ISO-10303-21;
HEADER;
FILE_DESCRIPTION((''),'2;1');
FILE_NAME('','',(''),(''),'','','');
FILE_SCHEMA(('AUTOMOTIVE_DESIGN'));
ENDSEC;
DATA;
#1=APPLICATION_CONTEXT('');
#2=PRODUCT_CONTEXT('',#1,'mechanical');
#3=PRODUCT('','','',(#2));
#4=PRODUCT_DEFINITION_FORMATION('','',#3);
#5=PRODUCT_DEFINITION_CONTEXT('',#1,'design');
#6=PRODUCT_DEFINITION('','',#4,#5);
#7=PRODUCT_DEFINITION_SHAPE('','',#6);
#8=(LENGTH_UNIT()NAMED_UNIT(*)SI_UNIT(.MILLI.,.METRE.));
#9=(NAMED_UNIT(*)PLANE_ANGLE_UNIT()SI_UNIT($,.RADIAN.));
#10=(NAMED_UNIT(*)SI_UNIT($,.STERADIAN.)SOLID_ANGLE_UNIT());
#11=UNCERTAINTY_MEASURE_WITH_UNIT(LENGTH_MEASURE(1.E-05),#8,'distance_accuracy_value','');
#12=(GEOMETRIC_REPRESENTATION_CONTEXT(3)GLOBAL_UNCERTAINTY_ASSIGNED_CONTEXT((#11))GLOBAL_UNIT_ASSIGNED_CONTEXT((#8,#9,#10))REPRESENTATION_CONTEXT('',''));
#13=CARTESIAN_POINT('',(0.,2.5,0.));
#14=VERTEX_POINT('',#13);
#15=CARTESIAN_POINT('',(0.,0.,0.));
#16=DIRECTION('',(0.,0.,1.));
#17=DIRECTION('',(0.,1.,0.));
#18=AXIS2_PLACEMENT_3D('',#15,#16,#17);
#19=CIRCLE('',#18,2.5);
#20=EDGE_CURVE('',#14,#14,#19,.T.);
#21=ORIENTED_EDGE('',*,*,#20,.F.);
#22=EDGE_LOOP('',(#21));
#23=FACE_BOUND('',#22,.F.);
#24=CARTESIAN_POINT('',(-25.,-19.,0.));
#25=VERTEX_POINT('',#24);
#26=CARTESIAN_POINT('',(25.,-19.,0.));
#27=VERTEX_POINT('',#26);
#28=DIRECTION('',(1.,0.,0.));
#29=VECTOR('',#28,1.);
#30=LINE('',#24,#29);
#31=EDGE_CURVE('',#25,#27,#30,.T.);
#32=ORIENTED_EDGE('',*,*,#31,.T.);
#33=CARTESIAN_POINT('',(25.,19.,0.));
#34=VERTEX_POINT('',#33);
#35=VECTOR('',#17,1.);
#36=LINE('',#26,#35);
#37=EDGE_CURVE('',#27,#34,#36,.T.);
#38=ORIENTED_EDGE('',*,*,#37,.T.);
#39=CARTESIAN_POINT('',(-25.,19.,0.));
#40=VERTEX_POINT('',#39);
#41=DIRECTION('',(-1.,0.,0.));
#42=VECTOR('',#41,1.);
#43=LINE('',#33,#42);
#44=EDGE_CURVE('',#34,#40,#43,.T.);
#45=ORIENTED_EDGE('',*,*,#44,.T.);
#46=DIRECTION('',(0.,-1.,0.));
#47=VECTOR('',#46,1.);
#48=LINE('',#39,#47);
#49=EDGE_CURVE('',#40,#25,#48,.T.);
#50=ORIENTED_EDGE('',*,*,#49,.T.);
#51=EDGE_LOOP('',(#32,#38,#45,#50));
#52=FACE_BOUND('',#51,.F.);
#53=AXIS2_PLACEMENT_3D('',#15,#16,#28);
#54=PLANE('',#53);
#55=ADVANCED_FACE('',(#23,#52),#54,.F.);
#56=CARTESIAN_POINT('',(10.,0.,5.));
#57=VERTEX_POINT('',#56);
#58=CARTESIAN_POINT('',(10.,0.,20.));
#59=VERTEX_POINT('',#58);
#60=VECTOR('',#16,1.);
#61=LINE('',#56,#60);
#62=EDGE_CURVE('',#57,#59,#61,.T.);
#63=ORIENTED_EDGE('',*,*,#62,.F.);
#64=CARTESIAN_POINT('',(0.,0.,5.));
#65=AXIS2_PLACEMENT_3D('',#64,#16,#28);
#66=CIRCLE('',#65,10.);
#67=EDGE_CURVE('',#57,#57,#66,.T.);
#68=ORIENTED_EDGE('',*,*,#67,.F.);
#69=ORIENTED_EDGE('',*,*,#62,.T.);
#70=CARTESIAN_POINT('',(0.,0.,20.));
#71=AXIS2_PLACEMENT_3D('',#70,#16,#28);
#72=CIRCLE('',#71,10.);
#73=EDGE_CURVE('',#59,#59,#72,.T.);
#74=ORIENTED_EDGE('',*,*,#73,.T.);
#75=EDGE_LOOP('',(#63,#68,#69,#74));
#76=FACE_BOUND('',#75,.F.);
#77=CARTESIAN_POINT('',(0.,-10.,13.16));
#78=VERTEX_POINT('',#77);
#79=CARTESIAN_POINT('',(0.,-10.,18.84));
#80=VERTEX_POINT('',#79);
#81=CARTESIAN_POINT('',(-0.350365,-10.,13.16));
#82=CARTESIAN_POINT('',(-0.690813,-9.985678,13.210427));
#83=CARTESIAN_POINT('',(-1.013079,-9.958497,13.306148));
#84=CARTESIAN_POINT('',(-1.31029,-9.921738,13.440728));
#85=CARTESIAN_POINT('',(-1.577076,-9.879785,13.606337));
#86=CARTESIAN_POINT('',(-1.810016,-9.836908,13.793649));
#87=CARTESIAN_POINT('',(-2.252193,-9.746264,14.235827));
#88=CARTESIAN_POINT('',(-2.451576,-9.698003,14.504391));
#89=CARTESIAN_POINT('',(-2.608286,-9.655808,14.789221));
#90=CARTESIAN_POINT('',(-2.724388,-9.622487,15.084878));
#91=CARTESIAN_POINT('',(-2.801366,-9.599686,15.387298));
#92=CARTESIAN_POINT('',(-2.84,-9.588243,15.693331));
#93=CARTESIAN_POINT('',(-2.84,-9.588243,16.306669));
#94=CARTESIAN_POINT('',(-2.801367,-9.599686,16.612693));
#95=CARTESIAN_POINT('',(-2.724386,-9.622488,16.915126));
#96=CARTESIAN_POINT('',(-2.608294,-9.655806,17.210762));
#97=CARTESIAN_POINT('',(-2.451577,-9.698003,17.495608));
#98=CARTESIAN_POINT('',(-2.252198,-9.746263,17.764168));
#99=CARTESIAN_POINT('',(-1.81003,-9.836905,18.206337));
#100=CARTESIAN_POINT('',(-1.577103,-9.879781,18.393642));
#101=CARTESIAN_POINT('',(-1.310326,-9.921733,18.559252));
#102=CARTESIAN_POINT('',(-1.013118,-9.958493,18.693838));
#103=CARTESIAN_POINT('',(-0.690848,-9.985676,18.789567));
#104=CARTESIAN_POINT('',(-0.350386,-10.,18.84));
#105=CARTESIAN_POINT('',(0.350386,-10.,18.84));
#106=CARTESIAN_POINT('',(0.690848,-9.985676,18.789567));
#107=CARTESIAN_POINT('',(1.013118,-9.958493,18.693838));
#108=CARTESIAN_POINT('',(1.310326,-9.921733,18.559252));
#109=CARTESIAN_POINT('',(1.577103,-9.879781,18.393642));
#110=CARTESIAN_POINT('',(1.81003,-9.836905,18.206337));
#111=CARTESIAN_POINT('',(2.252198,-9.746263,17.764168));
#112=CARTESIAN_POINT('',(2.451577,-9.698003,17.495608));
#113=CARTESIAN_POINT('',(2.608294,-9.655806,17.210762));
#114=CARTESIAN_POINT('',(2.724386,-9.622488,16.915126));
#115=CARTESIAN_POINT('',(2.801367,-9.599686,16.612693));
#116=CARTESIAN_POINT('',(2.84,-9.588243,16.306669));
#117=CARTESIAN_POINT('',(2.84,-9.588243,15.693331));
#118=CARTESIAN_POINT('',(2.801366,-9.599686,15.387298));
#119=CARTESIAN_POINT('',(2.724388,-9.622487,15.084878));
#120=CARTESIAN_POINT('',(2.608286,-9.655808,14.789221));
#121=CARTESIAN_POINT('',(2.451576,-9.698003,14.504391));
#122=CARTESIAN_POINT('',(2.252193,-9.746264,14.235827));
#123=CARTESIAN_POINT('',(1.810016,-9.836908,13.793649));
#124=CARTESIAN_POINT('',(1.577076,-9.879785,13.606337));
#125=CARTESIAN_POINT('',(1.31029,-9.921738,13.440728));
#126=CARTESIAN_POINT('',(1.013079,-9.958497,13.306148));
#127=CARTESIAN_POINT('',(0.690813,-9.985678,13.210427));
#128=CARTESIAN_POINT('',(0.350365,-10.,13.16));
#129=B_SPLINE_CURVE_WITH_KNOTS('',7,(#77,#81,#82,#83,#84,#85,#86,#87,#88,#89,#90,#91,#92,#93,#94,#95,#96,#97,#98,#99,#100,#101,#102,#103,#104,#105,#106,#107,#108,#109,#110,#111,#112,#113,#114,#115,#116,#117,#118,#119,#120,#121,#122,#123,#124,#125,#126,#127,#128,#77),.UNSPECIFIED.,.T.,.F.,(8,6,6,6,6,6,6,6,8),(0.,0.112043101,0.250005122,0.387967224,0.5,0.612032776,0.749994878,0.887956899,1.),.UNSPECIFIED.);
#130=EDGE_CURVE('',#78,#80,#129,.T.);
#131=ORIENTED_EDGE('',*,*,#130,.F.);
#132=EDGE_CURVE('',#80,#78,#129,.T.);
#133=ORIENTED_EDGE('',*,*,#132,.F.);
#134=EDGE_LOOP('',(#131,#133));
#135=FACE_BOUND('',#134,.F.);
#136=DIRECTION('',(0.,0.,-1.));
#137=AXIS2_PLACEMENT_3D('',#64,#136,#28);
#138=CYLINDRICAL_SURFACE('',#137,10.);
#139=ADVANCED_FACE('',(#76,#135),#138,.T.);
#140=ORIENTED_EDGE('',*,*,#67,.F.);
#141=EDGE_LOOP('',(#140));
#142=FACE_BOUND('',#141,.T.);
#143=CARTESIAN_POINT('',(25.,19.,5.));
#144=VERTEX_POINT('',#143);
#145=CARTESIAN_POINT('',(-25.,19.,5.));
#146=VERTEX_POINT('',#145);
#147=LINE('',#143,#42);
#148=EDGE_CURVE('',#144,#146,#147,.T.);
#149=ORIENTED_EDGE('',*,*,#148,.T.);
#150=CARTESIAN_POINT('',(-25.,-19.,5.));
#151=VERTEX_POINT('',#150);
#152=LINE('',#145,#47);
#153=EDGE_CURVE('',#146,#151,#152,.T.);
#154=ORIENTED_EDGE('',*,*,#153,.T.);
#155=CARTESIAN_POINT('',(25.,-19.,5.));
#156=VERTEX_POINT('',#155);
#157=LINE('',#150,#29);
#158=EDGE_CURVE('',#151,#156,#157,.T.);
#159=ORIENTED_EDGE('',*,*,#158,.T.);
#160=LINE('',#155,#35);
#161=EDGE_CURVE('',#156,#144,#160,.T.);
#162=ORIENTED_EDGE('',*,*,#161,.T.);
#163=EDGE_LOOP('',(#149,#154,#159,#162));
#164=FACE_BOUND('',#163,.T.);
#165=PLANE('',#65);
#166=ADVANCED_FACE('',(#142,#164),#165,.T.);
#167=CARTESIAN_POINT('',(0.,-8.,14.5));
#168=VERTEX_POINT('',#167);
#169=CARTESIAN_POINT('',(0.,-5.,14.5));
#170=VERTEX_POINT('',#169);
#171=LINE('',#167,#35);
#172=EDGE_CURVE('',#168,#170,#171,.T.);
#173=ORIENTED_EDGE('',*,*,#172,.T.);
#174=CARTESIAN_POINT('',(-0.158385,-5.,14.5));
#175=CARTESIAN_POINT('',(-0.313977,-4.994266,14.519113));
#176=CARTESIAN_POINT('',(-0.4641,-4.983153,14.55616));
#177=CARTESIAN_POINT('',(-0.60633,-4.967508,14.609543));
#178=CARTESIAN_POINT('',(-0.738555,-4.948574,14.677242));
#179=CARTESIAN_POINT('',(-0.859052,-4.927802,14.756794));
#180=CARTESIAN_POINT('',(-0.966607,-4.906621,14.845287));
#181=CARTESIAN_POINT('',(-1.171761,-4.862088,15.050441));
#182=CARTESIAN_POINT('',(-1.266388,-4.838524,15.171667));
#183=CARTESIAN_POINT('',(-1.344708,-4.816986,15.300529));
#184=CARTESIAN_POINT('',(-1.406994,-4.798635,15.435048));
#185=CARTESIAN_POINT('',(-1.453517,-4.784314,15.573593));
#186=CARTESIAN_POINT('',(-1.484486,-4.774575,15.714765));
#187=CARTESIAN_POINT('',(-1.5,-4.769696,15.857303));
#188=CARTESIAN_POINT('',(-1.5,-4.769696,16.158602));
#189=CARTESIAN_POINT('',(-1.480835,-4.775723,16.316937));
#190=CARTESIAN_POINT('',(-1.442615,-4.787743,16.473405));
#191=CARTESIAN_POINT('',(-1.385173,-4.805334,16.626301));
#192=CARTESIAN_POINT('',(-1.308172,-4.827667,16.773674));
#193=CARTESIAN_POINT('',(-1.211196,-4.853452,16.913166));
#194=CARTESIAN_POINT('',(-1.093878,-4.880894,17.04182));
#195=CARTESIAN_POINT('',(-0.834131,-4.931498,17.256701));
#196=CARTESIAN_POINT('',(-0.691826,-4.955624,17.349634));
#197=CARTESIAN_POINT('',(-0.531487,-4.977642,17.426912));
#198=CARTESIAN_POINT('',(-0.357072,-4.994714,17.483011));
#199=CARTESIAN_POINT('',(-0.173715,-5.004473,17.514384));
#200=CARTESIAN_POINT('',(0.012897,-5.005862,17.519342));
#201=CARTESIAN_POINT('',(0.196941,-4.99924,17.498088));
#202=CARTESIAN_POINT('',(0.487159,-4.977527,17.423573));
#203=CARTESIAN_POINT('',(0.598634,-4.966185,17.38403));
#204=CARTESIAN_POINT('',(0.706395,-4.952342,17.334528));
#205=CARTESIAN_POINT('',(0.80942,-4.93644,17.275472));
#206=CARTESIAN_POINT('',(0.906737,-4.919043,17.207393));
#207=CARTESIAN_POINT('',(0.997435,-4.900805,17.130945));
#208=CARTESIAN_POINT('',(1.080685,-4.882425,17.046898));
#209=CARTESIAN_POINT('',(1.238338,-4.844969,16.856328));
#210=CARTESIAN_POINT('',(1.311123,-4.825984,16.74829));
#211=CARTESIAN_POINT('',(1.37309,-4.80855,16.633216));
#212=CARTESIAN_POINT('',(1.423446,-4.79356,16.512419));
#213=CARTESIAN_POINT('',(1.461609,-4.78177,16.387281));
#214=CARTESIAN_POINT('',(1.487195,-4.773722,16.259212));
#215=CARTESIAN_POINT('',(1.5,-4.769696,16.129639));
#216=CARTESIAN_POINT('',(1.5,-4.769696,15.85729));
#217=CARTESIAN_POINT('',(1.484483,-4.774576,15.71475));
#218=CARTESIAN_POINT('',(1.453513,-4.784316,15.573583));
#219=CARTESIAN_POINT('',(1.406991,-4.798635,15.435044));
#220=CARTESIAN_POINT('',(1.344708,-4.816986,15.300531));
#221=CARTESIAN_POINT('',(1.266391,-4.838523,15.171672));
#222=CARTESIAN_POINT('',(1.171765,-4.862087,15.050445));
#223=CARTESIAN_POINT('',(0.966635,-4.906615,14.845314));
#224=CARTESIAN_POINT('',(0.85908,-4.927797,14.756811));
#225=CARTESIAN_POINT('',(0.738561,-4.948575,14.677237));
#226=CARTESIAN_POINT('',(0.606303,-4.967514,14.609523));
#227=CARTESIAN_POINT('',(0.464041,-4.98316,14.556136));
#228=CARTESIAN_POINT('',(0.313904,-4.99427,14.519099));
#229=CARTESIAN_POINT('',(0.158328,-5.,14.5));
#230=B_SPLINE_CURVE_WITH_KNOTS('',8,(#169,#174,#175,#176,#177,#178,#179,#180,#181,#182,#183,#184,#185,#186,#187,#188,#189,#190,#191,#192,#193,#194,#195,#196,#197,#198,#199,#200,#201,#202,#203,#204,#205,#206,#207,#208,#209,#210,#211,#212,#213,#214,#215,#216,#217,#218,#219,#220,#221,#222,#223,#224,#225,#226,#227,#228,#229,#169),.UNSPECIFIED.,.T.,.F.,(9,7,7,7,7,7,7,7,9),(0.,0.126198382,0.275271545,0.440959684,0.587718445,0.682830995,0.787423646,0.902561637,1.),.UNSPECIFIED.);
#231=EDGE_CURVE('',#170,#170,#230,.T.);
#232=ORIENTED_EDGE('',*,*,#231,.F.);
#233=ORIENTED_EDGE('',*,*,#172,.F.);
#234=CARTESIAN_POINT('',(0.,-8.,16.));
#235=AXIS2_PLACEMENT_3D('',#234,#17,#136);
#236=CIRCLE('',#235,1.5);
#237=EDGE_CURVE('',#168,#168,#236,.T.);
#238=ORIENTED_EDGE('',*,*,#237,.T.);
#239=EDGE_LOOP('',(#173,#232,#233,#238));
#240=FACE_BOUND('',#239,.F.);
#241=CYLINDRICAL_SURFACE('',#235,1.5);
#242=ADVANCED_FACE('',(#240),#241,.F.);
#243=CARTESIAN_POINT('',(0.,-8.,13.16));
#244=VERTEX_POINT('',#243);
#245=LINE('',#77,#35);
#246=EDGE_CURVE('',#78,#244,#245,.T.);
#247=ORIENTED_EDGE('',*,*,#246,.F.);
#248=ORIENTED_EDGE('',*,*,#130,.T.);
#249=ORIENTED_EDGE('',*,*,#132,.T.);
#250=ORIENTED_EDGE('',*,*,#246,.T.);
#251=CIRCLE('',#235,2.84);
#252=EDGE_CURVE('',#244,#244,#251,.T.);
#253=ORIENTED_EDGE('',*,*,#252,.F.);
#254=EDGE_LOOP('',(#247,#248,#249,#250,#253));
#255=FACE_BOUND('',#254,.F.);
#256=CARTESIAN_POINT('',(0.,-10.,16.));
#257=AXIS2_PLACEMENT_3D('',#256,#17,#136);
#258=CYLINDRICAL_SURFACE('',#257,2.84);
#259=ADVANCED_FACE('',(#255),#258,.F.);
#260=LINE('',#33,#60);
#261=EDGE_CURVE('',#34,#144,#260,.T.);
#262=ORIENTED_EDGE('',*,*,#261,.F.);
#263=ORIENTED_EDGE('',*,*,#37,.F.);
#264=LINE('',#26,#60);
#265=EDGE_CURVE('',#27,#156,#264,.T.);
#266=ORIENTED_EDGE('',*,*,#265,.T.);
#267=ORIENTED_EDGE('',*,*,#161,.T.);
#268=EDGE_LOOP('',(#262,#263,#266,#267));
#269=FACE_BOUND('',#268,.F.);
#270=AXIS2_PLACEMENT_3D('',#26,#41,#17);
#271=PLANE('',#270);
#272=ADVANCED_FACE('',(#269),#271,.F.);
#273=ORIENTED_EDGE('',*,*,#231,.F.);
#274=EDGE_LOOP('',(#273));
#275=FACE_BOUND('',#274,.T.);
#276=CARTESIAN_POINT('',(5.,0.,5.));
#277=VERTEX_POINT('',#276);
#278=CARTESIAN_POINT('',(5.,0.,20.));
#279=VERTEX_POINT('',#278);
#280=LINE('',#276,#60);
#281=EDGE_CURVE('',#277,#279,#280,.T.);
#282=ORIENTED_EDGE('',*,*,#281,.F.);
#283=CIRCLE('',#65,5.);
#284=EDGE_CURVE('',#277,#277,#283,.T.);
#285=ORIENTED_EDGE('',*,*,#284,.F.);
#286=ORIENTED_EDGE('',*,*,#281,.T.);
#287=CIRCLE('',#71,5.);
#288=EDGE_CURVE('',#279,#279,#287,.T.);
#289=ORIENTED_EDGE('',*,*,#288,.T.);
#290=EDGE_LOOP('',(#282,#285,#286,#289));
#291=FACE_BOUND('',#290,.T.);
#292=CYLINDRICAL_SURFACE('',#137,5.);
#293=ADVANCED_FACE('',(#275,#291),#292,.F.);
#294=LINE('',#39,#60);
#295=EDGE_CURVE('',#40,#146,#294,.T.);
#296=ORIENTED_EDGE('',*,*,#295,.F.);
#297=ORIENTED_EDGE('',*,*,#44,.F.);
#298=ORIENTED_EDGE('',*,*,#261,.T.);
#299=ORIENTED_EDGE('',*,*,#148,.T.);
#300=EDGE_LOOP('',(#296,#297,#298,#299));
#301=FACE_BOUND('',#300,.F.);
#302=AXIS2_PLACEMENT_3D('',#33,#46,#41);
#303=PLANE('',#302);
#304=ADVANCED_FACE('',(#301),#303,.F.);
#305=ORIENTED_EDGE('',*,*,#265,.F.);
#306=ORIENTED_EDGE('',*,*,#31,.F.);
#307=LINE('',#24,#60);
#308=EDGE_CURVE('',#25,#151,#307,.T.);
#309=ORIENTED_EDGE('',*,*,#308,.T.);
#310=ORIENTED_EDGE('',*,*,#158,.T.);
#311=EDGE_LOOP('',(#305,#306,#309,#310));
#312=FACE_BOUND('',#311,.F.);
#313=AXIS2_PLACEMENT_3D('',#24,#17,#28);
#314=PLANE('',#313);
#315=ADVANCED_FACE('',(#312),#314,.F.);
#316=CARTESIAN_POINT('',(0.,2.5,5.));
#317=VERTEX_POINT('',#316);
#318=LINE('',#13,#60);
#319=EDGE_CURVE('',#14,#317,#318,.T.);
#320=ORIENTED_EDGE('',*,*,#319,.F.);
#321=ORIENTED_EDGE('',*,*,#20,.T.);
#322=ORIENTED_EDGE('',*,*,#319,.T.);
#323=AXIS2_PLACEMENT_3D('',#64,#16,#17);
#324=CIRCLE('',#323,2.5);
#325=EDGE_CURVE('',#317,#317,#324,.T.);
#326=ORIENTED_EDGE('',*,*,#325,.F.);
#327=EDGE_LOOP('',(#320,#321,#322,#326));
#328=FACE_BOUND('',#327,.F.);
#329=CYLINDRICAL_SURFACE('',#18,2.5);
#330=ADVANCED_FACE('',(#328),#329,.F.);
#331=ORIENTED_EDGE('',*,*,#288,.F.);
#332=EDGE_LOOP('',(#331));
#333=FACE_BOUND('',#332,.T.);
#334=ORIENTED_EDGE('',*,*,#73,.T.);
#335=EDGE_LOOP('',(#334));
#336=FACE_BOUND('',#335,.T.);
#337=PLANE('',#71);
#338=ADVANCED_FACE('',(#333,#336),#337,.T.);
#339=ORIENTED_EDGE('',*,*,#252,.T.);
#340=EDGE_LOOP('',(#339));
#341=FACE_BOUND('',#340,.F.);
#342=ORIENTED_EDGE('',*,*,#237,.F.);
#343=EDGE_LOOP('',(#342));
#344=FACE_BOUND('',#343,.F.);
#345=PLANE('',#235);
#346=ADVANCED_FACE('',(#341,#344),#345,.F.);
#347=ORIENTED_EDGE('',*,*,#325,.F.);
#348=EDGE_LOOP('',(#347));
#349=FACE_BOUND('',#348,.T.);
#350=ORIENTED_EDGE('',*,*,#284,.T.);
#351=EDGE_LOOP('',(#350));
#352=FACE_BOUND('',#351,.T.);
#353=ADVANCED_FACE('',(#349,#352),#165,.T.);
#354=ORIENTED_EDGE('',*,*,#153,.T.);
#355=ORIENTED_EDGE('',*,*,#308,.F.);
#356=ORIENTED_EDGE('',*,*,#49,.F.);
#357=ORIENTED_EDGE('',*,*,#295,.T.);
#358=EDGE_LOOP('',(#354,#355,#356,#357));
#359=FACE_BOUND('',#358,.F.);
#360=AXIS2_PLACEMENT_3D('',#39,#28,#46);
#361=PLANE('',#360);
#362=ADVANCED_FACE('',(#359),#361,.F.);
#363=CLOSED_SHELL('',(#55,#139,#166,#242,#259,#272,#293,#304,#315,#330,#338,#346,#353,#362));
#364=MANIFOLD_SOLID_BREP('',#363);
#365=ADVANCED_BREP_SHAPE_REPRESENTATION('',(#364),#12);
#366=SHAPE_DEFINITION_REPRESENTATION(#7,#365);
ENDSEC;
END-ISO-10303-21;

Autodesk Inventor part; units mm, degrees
ref_plane "YZ Plane" through (0, 0, 0) normal (1, 0, 0) x (0, 1, 0)
ref_plane "XY Plane" through (0, 0, 0) normal (0, 0, 1) x (1, 0, 0)
sketch "Skizze1" plane through (0, 0, 0) normal (0, 0, 1) x (1, 0, 0)
  line L0 (-25, -19) -> (25, -19)
  line L1 (25, -19) -> (25, 19)
  line L2 (25, 19) -> (-25, 19)
  line L3 (-25, 19) -> (-25, -19)
  line L4 (-25, -19) -> (25, 19) construction
  line L5 (25, -19) -> (-25, 19) construction
  point P0 (0, 0)
  dimension "d0" = 50
  dimension "d1" = 38
extrude "Extrusion1" add sketch "Skizze1" along normal blind 5
sketch "Skizze2" plane through (0, 0, 5) normal (0, 0, 1) x (1, 0, 0)
  point P0 (0, 0)
ref_plane "Arbeitsebene1" through (0, 19, 0) normal (0, 1, 0) x (-1, 0, 0)
ref_plane "Arbeitsebene2" through (0, -19, 0) normal (0, 1, 0) x (-1, 0, 0)
sketch "Skizze4" plane through (0, 0, 5) normal (0, 0, 1) x (1, 0, 0)
  circle A0 centre (0, 0) radius 10
  circle A1 centre (0, 0) radius 5
  dimension "d12" = 20
  dimension "d13" = 10
extrude "Extrusion2" add sketch "Skizze4" along normal blind 15
ref_plane "Arbeitsebene3" through (0, -10, 0) normal (0, 1, 0) x (-1, 0, 0)
sketch "Skizze5" plane through (0, -10, 0) normal (0, 1, 0) x (-1, 0, 0)
  line L0 (10, 20) -> (-10, 20) projected
  point P0 (0, 0)
  point P1 (0, 16)
  dimension "d17" = 4
hole "Bohrung1" at (0, -10, 16) direction (0, 1, 0) diameter 3 depth 8 tip angle 118 counterbore diameter 5.68 counterbore depth 2
sketch "Skizze6" plane through (0, -10, 0) normal (0, 1, 0) x (-1, 0, 0)
  point P0 (0, 0)
sketch "Skizze7" plane through (0, 0, 0) normal (0, 0, -1) x (-1, 0, 0)
  circle A0 centre (0, 0) radius 2.5
  dimension "d25" = 5
hole "Bohrung2" at (0, 0, 0) direction (0, 0, 1) diameter 5 depth 5 tip angle 118
properties part number "Laserhalter Unterteil 29112018"
